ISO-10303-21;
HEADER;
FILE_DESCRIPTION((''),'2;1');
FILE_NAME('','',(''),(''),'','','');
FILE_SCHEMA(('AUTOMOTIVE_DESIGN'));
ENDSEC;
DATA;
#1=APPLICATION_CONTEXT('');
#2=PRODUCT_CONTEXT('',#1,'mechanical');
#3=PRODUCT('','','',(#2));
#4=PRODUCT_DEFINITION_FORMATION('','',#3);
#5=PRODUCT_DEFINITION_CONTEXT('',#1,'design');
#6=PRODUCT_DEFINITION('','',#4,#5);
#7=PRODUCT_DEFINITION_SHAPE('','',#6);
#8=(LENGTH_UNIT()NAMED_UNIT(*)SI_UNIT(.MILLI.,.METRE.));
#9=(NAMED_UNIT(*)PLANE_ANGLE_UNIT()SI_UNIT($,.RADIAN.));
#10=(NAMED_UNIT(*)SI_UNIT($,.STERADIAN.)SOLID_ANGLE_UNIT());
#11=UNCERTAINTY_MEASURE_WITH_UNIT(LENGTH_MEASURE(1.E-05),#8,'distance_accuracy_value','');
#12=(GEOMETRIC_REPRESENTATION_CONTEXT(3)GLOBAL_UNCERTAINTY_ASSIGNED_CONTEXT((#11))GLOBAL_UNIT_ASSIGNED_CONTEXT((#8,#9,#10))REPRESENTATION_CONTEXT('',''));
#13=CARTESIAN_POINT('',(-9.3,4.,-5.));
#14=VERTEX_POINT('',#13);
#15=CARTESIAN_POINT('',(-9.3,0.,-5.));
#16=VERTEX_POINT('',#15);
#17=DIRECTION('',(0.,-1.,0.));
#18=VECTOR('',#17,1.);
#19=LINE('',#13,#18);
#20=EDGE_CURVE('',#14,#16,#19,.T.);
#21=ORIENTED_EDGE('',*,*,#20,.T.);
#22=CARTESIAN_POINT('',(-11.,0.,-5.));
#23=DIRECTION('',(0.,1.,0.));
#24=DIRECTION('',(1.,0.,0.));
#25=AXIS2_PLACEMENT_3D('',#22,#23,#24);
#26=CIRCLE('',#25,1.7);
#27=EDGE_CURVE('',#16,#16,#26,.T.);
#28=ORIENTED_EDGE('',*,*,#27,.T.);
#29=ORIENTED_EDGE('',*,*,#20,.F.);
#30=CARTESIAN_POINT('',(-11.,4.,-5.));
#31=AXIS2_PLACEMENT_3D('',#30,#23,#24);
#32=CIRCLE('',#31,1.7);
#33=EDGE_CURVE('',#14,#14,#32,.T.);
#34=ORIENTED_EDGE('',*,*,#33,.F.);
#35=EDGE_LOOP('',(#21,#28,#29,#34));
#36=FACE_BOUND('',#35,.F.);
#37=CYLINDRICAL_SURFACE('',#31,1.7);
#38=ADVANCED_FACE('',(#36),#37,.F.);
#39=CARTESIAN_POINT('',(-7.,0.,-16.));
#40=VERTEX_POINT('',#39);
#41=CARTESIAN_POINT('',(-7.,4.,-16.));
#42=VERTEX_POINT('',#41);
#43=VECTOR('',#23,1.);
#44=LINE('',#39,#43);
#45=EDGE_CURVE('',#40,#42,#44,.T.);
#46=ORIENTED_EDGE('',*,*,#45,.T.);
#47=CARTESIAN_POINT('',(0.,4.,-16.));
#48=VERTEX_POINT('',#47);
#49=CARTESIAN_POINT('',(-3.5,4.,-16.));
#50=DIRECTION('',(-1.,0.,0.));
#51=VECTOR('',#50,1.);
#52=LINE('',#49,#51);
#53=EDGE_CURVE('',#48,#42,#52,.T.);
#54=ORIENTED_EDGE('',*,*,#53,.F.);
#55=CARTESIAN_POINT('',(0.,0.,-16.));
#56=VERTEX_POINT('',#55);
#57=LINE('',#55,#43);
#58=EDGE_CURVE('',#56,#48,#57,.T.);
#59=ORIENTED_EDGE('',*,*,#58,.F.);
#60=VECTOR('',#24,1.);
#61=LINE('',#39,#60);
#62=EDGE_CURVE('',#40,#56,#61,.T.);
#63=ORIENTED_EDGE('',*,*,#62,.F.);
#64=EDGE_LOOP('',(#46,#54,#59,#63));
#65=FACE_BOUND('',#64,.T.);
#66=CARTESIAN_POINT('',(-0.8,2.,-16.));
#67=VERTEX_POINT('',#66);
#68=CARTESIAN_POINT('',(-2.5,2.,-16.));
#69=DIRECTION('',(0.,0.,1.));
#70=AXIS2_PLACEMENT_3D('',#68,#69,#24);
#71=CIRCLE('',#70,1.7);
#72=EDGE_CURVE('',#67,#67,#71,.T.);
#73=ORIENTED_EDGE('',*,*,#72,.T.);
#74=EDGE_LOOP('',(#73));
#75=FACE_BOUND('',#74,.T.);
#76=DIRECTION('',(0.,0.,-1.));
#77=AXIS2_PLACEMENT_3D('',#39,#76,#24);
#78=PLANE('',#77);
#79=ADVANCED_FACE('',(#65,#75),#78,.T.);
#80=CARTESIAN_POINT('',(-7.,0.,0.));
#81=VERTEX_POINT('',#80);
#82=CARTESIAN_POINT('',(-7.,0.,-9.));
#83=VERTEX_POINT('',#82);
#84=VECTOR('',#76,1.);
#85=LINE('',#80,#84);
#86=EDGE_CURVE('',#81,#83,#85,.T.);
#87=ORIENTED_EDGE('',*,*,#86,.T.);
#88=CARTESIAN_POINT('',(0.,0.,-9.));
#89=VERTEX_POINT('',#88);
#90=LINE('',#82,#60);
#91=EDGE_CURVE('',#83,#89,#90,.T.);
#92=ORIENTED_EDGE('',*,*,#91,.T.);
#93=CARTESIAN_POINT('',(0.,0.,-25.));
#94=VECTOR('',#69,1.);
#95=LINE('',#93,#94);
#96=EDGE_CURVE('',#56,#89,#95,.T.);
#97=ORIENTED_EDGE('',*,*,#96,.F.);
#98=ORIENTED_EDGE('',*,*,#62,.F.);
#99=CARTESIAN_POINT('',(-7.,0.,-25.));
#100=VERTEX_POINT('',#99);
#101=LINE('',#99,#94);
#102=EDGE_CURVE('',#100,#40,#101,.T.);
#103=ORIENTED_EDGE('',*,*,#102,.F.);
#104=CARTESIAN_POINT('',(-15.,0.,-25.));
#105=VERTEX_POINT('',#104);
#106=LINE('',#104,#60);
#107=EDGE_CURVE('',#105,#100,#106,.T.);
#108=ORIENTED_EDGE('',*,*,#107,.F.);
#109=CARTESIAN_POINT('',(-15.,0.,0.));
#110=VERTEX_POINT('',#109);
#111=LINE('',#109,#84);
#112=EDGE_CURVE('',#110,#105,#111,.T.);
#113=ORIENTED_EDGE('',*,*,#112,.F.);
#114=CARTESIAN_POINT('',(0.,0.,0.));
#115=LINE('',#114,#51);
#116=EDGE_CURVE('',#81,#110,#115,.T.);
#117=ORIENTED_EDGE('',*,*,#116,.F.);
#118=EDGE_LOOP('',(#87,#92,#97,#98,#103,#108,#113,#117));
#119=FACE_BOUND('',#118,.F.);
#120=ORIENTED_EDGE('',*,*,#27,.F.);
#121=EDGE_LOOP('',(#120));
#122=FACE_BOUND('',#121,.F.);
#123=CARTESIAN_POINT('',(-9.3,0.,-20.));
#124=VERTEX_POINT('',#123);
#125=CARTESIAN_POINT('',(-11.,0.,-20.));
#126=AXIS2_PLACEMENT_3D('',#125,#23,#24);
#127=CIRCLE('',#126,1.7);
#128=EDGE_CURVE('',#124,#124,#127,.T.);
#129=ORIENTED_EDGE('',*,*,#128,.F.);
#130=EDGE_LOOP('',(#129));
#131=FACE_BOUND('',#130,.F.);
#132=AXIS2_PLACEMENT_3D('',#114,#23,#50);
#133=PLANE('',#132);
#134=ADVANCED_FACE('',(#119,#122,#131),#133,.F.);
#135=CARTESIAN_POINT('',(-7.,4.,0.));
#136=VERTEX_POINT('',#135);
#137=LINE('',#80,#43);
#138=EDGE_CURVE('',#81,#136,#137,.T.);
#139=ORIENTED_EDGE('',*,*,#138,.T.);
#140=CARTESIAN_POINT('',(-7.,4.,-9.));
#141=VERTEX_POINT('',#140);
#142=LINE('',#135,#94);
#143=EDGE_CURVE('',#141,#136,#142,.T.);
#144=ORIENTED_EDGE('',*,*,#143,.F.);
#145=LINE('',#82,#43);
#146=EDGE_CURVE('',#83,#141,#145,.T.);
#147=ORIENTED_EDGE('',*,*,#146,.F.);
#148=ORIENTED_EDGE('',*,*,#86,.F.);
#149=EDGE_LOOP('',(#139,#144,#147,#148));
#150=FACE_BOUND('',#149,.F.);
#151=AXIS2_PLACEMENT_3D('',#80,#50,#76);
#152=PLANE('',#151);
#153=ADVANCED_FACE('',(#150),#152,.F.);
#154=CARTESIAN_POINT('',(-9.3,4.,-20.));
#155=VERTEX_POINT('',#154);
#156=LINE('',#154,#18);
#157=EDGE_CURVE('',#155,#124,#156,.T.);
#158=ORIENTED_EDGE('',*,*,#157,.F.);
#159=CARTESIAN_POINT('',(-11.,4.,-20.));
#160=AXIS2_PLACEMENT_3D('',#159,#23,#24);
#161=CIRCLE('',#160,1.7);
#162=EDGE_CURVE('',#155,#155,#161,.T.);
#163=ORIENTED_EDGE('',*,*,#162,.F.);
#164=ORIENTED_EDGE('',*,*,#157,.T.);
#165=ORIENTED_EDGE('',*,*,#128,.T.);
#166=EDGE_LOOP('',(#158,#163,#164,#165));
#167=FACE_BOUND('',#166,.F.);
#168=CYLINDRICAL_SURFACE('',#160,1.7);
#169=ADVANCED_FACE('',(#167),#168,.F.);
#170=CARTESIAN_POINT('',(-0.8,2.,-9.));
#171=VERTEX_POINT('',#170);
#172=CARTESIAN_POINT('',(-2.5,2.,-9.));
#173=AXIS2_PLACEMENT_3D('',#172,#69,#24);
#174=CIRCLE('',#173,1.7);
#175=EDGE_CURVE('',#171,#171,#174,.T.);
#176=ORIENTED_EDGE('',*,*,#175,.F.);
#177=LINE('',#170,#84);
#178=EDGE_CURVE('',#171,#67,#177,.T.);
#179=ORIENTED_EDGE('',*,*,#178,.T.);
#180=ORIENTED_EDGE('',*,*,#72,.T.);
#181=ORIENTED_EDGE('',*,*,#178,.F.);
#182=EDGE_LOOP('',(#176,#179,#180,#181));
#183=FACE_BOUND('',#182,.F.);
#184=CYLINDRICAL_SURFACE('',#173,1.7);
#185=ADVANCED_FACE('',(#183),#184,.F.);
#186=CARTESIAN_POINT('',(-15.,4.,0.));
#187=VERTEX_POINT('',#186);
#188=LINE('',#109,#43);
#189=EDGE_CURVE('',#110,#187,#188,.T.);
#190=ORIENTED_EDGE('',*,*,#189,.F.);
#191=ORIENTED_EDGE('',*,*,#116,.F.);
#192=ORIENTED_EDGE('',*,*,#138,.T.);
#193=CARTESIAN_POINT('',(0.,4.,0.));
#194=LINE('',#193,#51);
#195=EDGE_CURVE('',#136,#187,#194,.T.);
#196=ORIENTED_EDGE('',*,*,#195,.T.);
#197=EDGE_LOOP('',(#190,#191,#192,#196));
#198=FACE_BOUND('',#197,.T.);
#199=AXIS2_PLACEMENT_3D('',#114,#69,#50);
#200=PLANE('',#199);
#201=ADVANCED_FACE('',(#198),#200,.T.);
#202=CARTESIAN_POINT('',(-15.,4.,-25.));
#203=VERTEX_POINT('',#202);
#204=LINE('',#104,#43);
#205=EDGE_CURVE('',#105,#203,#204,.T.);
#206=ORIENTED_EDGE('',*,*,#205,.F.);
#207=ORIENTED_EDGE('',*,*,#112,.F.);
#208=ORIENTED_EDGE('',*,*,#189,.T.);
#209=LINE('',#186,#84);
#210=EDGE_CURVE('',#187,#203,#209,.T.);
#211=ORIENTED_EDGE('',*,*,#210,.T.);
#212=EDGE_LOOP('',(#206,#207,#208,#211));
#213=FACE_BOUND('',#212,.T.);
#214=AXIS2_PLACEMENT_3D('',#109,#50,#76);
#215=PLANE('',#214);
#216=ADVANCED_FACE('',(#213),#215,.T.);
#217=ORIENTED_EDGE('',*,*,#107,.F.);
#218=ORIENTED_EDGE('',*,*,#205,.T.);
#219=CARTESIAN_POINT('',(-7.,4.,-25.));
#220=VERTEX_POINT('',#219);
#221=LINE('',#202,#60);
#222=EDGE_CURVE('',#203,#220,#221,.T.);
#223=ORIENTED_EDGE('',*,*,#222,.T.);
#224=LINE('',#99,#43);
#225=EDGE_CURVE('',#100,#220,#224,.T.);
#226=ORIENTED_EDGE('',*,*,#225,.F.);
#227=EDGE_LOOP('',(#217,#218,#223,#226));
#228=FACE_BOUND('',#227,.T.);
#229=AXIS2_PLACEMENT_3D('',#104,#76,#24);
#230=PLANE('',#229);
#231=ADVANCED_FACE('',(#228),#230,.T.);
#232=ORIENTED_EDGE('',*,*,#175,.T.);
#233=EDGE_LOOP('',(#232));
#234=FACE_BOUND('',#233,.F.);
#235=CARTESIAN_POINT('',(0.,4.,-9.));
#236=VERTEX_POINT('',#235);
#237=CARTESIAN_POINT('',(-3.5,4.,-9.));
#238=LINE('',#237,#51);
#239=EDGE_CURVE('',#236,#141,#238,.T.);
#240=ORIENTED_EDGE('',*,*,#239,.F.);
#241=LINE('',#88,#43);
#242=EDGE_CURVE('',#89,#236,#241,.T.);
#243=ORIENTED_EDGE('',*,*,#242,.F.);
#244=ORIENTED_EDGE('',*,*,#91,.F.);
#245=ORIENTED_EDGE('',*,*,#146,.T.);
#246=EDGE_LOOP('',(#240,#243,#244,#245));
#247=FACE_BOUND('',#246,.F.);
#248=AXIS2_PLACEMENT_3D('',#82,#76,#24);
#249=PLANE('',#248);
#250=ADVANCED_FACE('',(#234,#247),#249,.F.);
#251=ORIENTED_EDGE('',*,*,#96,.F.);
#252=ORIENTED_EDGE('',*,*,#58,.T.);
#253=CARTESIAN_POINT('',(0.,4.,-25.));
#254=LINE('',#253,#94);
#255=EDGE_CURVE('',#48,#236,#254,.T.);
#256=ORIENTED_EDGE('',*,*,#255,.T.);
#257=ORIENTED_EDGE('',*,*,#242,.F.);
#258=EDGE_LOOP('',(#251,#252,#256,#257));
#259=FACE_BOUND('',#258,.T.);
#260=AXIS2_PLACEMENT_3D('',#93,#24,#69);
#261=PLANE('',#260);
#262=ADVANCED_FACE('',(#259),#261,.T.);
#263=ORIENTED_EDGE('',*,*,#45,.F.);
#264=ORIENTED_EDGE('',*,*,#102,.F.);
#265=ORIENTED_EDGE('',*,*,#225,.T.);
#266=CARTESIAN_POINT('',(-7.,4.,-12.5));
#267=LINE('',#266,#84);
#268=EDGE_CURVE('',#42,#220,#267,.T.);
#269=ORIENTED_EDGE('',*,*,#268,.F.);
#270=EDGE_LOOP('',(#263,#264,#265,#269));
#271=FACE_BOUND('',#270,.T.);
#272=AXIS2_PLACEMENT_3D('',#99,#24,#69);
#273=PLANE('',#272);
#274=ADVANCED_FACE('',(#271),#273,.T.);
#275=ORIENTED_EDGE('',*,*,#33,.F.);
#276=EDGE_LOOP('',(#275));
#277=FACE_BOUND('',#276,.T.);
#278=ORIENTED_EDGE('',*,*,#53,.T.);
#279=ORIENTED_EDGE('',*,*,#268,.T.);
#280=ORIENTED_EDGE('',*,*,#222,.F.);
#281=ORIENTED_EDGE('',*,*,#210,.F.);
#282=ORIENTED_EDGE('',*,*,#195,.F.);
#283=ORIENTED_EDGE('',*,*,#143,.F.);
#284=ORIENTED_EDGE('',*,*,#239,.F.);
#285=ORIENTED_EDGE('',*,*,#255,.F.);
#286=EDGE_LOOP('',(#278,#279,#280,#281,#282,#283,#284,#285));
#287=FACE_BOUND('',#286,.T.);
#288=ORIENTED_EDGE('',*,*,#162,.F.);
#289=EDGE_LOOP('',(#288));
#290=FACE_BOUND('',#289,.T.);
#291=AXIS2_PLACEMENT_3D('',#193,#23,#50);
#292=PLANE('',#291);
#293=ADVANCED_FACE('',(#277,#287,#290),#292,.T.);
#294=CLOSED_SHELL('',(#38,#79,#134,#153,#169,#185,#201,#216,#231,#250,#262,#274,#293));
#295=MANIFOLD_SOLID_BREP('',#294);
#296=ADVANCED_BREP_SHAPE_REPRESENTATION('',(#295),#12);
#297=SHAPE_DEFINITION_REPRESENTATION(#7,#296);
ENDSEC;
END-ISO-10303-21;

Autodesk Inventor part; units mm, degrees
ref_plane "YZ Plane" through (0, 0, 0) normal (1, 0, 0) x (0, 1, 0)
ref_plane "XZ Plane" through (0, 0, 0) normal (0, 1, 0) x (-1, 0, 0)
ref_plane "XY Plane" through (0, 0, 0) normal (0, 0, 1) x (1, 0, 0)
sketch "Skizze1" plane through (0, 0, 0) normal (0, 1, 0) x (-1, 0, 0)
  line L0 (0, 0) -> (15, 0)
  line L1 (15, 0) -> (15, -25)
  line L2 (15, -25) -> (0, -25)
  line L3 (0, -25) -> (0, 0)
  dimension "d0" = 25
  dimension "d1" = 15
extrude "Extrusion1" add sketch "Skizze1" along normal blind 4
sketch "Skizze3" plane through (0, 0, -25) normal (0, 0, -1) x (-1, 0, 0)
  point P0 (0, 0)
sketch "Skizze6" plane through (0, 4, 0) normal (0, 1, 0) x (1, 0, 0)
  circle A0 centre (-11, 5) radius 1.7
  line L0 (-15, 25) -> (-15, 0) projected
  line L1 (-15, 0) -> (0, 0) projected
  circle A1 centre (-11, 20) radius 1.7
  line L2 (0, 25) -> (-15, 25) projected
  point P0 (0, 30)
  dimension "d11" = 3.4
  dimension "d12" = 4
  dimension "d13" = 5
  dimension "d14" = 3.4
  dimension "d15" = 4
  dimension "d16" = 5
extrude "Extrusion4" cut sketch "Skizze6" against normal blind 30
sketch "Skizze7" plane through (0, 0, 0) normal (0, -1, 0) x (1, 0, 0)
  line L0 (0, -25) -> (-15, -25) projected
  line L1 (0, -25) -> (-7, -25)
  line L2 (-7, -25) -> (-7, -16)
  line L3 (-7, -16) -> (0, -16)
  line L4 (0, -16) -> (0, -25)
  line L5 (-15, 0) -> (0, 0) projected
  line L6 (0, 0) -> (-7, 0)
  line L7 (-7, 0) -> (-7, -9)
  line L8 (-7, -9) -> (0, -9)
  line L9 (0, -9) -> (0, 0)
  dimension "d19" = 7
  dimension "d20" = 9
  dimension "d21" = 7
  dimension "d22" = 9
extrude "Extrusion5" cut sketch "Skizze7" against normal blind 30
sketch "Skizze8" plane through (-7, 0, -9) normal (0, 0, 1) x (1, 0, 0)
  circle A0 centre (4.5, 2) radius 1.7
  line L0 (7, 0) -> (0, 0) projected
  line L1 (7, 4) -> (7, 0) projected
  dimension "d25" = 3.4
  dimension "d26" = 2
  dimension "d27" = 2.5
extrude "Extrusion6" cut sketch "Skizze8" against normal blind 30
properties part number "kamera ut"
